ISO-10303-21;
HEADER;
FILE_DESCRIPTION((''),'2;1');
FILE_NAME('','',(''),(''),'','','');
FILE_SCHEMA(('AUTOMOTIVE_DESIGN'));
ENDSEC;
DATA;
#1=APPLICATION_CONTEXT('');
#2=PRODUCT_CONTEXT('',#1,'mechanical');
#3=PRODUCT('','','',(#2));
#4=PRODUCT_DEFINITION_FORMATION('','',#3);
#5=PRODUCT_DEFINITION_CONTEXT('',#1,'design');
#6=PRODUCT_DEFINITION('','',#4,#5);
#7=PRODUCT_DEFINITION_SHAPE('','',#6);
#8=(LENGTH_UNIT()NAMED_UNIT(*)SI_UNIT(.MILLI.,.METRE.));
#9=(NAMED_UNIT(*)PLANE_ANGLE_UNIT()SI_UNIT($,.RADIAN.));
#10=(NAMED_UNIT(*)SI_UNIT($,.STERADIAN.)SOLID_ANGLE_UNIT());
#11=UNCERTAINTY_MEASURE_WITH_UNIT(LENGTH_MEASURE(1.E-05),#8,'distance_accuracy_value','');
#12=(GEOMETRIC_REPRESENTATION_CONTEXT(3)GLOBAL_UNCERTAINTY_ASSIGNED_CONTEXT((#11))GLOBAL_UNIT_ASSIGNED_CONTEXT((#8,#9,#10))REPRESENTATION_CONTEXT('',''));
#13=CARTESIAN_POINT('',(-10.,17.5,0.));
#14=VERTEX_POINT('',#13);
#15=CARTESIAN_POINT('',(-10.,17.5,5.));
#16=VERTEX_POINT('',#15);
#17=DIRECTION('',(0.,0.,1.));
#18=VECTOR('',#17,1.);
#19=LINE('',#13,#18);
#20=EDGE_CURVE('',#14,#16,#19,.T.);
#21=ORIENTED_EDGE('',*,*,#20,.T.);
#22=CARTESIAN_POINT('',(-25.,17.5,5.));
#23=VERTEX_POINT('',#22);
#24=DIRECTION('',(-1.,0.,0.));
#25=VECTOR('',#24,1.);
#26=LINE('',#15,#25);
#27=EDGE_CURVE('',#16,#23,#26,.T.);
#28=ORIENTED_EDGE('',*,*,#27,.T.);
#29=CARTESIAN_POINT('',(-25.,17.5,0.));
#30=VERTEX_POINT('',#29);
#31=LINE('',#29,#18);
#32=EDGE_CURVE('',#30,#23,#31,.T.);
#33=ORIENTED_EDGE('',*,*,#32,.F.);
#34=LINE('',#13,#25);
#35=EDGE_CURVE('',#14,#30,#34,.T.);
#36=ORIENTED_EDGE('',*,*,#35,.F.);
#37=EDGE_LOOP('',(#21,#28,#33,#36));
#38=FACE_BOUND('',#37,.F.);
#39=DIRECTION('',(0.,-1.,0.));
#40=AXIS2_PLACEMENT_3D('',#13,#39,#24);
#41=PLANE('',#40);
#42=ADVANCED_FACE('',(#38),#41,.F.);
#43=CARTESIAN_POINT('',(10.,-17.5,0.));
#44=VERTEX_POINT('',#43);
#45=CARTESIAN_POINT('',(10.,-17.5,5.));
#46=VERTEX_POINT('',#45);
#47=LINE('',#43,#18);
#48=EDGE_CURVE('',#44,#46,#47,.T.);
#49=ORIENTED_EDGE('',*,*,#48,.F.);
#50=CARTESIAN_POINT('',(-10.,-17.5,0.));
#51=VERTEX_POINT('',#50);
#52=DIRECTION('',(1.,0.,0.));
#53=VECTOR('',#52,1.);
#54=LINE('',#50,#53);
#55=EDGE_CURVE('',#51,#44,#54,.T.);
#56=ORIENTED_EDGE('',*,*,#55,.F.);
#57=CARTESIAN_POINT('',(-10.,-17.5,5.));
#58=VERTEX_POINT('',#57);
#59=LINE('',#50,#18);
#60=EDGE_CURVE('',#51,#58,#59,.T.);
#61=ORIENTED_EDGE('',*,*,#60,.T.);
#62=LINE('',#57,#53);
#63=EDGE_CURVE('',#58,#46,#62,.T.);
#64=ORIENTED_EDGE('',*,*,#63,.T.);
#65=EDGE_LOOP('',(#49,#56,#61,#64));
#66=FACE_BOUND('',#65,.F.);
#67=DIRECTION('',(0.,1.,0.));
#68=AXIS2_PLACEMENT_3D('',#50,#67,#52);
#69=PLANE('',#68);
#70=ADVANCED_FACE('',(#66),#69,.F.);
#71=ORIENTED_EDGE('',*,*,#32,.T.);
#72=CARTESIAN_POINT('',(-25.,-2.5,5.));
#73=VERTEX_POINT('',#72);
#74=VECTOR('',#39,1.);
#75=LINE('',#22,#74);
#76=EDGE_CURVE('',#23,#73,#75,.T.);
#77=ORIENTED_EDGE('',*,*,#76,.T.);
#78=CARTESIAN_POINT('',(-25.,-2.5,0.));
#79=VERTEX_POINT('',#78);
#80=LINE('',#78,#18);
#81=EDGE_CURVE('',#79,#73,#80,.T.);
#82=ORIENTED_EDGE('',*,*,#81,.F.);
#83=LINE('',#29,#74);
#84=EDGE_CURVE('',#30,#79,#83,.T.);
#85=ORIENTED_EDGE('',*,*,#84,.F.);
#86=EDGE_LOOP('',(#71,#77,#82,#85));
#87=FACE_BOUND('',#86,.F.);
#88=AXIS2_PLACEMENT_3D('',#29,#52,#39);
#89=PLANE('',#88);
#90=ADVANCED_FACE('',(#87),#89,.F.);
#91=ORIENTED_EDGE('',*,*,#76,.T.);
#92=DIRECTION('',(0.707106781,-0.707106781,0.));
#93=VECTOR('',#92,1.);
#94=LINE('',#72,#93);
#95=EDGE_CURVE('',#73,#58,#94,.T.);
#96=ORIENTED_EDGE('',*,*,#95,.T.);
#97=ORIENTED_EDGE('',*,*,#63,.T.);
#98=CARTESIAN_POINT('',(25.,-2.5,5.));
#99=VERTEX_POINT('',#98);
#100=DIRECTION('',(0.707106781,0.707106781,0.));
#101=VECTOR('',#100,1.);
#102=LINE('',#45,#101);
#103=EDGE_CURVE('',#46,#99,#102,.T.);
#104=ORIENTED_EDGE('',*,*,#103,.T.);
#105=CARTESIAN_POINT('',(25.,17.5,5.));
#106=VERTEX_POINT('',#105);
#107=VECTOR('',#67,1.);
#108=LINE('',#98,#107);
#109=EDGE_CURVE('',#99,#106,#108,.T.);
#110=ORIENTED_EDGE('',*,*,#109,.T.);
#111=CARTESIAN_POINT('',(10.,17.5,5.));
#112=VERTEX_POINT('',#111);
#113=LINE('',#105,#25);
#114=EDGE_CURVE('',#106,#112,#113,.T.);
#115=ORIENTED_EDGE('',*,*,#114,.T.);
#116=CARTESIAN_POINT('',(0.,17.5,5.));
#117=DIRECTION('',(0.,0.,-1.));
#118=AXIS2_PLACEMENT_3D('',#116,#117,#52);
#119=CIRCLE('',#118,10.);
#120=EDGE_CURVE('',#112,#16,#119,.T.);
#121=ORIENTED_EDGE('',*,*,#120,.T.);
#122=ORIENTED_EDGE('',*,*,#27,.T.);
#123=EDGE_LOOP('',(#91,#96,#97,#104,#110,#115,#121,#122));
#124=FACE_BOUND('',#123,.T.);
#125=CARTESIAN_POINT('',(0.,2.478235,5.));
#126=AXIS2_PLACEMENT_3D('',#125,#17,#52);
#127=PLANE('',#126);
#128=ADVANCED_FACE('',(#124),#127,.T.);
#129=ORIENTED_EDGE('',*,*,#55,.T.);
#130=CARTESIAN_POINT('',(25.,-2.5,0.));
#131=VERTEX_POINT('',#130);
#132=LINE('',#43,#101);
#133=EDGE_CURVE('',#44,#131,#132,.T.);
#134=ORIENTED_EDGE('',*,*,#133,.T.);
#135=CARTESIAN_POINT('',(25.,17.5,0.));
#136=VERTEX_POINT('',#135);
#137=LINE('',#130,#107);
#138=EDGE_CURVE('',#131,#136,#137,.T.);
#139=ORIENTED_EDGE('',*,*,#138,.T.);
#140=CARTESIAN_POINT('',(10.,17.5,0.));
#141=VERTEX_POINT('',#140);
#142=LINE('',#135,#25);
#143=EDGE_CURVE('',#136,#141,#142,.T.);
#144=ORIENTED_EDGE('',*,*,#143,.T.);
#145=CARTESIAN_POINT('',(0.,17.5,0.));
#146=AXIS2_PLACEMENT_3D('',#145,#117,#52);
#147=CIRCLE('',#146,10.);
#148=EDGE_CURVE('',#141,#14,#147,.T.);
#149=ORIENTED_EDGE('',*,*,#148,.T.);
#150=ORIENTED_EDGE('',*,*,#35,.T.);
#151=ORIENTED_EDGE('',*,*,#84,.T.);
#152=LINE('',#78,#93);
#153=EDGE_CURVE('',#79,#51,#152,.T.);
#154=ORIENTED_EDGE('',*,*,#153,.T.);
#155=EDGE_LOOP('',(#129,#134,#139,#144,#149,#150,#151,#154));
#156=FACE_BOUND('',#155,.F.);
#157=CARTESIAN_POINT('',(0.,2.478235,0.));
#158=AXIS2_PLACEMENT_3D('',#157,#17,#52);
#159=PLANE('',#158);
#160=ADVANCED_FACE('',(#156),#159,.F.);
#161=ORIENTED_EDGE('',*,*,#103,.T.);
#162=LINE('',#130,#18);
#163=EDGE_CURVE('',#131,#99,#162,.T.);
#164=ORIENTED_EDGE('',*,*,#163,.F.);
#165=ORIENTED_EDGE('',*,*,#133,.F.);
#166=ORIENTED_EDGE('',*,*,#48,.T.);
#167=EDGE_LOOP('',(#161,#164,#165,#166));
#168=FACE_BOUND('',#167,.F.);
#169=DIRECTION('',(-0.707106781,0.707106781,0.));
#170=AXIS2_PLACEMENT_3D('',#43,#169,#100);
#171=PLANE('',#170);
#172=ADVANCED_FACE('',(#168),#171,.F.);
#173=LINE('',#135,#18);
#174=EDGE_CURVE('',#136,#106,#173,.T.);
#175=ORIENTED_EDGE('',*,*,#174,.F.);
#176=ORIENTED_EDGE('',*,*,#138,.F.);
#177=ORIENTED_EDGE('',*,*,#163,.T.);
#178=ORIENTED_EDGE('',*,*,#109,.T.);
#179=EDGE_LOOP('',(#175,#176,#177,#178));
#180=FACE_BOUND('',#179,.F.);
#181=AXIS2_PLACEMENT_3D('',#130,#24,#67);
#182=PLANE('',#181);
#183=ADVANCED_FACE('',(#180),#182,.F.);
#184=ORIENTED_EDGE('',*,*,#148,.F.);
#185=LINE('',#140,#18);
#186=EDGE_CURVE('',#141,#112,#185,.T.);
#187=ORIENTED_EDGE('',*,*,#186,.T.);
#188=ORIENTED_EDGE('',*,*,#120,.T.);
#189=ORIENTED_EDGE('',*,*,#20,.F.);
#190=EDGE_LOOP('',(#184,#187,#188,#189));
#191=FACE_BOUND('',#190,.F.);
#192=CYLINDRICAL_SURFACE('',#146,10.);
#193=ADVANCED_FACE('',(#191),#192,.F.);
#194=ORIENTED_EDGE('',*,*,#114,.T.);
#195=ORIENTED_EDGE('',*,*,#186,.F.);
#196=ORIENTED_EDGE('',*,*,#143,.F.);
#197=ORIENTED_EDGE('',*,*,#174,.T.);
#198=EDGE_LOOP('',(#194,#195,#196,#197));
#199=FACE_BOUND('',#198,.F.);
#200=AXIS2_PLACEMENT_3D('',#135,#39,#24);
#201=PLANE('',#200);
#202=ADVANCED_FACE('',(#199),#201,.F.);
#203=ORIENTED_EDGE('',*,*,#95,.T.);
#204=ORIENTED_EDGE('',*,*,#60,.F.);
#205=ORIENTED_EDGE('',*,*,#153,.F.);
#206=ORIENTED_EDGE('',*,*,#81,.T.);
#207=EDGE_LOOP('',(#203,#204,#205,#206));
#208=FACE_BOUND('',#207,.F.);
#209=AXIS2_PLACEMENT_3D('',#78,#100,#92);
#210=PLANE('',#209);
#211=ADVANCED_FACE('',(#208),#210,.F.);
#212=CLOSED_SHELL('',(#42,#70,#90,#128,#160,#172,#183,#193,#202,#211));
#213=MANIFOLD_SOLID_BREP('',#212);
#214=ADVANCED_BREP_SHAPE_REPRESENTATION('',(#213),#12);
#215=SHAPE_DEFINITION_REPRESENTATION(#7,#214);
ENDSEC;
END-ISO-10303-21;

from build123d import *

# Parameters (mm, degrees)
F1_DEPTH = 5


with BuildPart() as f1:
    # F0 (on Top) → F1 (new body)
    with BuildSketch(Plane.XY):
        with BuildLine():
            Line((-10, -17.5), (10, -17.5))
            Line((10, -17.5), (25, -2.5))
            Line((25, -2.5), (25, 17.5))
            Line((25, 17.5), (10, 17.5))
            ThreePointArc((10, 17.5), (0, 7.5), (-10, 17.5))
            Line((-10, 17.5), (-25, 17.5))
            Line((-25, 17.5), (-25, -2.5))
            Line((-25, -2.5), (-10, -17.5))
        make_face()
    extrude(amount=F1_DEPTH)


solid = f1.part
